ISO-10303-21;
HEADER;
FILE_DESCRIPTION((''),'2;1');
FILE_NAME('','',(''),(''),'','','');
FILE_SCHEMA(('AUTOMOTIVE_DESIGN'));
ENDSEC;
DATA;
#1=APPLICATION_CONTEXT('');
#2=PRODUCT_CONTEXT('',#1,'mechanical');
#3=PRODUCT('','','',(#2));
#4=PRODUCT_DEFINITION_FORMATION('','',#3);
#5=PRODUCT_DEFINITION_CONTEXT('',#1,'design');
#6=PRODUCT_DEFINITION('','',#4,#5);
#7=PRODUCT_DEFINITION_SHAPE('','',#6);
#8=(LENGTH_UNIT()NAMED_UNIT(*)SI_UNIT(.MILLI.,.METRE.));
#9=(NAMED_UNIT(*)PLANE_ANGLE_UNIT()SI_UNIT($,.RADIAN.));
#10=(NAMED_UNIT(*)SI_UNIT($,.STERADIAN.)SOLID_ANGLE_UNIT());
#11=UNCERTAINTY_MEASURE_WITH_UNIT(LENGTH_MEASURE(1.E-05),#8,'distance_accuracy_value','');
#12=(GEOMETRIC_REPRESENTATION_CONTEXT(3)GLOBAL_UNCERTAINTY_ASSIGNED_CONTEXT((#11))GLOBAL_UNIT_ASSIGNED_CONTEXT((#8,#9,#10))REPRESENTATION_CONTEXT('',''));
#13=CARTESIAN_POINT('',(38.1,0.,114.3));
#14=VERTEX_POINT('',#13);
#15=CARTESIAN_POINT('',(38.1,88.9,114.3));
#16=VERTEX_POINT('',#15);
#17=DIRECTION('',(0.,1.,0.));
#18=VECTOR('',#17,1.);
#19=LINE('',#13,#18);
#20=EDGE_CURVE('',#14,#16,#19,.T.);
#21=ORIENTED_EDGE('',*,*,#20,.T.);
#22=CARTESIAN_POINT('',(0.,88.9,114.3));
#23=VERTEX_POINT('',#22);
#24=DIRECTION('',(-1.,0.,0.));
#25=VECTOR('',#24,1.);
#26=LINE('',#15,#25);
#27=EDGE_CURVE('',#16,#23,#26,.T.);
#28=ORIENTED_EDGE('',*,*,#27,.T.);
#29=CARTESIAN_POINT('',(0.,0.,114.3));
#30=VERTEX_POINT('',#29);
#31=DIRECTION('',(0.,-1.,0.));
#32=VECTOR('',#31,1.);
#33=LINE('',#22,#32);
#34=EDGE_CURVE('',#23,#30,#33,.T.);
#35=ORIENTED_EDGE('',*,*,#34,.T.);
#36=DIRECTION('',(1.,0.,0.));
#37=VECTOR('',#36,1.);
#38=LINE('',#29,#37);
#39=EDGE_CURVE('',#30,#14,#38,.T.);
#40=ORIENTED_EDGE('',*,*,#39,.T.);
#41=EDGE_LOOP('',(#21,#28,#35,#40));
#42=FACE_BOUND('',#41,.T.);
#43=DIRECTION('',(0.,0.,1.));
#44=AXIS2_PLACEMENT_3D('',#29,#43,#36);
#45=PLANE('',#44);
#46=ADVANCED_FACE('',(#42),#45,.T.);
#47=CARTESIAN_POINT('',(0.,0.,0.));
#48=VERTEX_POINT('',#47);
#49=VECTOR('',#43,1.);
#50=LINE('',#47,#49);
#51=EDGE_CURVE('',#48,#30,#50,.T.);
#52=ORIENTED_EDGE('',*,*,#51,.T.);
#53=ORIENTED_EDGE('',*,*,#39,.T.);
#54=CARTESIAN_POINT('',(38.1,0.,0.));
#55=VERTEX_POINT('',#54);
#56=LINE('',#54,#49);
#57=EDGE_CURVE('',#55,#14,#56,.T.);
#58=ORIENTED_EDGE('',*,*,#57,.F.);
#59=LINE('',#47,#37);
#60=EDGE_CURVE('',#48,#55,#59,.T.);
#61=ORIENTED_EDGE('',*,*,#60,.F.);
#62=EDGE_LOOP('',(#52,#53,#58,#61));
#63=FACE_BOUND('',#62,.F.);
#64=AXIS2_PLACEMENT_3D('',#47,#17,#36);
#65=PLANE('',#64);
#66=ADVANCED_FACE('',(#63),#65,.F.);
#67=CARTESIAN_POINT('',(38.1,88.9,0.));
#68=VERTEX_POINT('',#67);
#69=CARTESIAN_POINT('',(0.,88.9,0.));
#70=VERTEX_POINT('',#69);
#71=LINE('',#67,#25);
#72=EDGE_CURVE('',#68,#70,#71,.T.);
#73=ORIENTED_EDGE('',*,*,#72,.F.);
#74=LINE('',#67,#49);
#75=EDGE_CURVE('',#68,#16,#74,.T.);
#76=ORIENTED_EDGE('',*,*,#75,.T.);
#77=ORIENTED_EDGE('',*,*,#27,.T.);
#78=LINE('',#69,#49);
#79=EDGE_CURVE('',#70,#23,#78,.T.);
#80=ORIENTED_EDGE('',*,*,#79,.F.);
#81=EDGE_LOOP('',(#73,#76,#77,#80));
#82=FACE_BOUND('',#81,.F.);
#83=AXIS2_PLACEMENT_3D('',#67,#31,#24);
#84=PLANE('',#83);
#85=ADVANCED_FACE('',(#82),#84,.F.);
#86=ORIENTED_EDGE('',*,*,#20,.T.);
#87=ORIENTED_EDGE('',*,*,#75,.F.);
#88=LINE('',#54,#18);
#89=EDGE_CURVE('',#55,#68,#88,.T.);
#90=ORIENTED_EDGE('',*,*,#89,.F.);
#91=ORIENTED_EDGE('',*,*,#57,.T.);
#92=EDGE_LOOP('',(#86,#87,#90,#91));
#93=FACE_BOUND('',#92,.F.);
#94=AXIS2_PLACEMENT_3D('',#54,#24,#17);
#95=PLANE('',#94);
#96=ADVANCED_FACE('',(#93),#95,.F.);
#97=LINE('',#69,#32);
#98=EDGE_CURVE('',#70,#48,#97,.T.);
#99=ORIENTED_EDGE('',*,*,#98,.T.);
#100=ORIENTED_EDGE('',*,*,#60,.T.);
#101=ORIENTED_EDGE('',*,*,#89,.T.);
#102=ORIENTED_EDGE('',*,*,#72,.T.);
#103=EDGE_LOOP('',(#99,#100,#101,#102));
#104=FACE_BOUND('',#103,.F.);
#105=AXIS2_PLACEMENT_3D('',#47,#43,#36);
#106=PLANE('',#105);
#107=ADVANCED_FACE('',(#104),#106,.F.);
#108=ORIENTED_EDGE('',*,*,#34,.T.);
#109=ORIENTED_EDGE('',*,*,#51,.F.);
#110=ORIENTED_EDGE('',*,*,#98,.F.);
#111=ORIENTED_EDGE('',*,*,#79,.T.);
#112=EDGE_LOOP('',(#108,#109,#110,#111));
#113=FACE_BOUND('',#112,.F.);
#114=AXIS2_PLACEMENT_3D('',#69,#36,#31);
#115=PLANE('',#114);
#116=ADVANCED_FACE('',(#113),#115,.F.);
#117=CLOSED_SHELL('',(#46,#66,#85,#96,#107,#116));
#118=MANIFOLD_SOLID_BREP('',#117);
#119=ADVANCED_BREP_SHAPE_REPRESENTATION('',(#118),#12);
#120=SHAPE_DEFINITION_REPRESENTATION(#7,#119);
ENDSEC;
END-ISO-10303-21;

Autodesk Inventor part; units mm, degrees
ref_plane "YZ Plane" through (0, 0, 0) normal (1, 0, 0) x (0, 1, 0)
ref_plane "XZ Plane" through (0, 0, 0) normal (0, 1, 0) x (-1, 0, 0)
ref_plane "XY Plane" through (0, 0, 0) normal (0, 0, 1) x (1, 0, 0)
sketch "Sketch1" plane through (0, 0, 0) normal (0, 0, 1) x (1, 0, 0)
  line L0 (0, 0) -> (38.1, 0)
  line L1 (38.1, 0) -> (38.1, 88.9)
  line L2 (38.1, 88.9) -> (0, 88.9)
  line L3 (0, 88.9) -> (0, 0)
  dimension "d0" = 38.1
  dimension "d1" = 88.9
extrude "Extrusion1" add sketch "Sketch1" along normal blind 114.3
properties part number "BA08" material "Wood (Oak)"
